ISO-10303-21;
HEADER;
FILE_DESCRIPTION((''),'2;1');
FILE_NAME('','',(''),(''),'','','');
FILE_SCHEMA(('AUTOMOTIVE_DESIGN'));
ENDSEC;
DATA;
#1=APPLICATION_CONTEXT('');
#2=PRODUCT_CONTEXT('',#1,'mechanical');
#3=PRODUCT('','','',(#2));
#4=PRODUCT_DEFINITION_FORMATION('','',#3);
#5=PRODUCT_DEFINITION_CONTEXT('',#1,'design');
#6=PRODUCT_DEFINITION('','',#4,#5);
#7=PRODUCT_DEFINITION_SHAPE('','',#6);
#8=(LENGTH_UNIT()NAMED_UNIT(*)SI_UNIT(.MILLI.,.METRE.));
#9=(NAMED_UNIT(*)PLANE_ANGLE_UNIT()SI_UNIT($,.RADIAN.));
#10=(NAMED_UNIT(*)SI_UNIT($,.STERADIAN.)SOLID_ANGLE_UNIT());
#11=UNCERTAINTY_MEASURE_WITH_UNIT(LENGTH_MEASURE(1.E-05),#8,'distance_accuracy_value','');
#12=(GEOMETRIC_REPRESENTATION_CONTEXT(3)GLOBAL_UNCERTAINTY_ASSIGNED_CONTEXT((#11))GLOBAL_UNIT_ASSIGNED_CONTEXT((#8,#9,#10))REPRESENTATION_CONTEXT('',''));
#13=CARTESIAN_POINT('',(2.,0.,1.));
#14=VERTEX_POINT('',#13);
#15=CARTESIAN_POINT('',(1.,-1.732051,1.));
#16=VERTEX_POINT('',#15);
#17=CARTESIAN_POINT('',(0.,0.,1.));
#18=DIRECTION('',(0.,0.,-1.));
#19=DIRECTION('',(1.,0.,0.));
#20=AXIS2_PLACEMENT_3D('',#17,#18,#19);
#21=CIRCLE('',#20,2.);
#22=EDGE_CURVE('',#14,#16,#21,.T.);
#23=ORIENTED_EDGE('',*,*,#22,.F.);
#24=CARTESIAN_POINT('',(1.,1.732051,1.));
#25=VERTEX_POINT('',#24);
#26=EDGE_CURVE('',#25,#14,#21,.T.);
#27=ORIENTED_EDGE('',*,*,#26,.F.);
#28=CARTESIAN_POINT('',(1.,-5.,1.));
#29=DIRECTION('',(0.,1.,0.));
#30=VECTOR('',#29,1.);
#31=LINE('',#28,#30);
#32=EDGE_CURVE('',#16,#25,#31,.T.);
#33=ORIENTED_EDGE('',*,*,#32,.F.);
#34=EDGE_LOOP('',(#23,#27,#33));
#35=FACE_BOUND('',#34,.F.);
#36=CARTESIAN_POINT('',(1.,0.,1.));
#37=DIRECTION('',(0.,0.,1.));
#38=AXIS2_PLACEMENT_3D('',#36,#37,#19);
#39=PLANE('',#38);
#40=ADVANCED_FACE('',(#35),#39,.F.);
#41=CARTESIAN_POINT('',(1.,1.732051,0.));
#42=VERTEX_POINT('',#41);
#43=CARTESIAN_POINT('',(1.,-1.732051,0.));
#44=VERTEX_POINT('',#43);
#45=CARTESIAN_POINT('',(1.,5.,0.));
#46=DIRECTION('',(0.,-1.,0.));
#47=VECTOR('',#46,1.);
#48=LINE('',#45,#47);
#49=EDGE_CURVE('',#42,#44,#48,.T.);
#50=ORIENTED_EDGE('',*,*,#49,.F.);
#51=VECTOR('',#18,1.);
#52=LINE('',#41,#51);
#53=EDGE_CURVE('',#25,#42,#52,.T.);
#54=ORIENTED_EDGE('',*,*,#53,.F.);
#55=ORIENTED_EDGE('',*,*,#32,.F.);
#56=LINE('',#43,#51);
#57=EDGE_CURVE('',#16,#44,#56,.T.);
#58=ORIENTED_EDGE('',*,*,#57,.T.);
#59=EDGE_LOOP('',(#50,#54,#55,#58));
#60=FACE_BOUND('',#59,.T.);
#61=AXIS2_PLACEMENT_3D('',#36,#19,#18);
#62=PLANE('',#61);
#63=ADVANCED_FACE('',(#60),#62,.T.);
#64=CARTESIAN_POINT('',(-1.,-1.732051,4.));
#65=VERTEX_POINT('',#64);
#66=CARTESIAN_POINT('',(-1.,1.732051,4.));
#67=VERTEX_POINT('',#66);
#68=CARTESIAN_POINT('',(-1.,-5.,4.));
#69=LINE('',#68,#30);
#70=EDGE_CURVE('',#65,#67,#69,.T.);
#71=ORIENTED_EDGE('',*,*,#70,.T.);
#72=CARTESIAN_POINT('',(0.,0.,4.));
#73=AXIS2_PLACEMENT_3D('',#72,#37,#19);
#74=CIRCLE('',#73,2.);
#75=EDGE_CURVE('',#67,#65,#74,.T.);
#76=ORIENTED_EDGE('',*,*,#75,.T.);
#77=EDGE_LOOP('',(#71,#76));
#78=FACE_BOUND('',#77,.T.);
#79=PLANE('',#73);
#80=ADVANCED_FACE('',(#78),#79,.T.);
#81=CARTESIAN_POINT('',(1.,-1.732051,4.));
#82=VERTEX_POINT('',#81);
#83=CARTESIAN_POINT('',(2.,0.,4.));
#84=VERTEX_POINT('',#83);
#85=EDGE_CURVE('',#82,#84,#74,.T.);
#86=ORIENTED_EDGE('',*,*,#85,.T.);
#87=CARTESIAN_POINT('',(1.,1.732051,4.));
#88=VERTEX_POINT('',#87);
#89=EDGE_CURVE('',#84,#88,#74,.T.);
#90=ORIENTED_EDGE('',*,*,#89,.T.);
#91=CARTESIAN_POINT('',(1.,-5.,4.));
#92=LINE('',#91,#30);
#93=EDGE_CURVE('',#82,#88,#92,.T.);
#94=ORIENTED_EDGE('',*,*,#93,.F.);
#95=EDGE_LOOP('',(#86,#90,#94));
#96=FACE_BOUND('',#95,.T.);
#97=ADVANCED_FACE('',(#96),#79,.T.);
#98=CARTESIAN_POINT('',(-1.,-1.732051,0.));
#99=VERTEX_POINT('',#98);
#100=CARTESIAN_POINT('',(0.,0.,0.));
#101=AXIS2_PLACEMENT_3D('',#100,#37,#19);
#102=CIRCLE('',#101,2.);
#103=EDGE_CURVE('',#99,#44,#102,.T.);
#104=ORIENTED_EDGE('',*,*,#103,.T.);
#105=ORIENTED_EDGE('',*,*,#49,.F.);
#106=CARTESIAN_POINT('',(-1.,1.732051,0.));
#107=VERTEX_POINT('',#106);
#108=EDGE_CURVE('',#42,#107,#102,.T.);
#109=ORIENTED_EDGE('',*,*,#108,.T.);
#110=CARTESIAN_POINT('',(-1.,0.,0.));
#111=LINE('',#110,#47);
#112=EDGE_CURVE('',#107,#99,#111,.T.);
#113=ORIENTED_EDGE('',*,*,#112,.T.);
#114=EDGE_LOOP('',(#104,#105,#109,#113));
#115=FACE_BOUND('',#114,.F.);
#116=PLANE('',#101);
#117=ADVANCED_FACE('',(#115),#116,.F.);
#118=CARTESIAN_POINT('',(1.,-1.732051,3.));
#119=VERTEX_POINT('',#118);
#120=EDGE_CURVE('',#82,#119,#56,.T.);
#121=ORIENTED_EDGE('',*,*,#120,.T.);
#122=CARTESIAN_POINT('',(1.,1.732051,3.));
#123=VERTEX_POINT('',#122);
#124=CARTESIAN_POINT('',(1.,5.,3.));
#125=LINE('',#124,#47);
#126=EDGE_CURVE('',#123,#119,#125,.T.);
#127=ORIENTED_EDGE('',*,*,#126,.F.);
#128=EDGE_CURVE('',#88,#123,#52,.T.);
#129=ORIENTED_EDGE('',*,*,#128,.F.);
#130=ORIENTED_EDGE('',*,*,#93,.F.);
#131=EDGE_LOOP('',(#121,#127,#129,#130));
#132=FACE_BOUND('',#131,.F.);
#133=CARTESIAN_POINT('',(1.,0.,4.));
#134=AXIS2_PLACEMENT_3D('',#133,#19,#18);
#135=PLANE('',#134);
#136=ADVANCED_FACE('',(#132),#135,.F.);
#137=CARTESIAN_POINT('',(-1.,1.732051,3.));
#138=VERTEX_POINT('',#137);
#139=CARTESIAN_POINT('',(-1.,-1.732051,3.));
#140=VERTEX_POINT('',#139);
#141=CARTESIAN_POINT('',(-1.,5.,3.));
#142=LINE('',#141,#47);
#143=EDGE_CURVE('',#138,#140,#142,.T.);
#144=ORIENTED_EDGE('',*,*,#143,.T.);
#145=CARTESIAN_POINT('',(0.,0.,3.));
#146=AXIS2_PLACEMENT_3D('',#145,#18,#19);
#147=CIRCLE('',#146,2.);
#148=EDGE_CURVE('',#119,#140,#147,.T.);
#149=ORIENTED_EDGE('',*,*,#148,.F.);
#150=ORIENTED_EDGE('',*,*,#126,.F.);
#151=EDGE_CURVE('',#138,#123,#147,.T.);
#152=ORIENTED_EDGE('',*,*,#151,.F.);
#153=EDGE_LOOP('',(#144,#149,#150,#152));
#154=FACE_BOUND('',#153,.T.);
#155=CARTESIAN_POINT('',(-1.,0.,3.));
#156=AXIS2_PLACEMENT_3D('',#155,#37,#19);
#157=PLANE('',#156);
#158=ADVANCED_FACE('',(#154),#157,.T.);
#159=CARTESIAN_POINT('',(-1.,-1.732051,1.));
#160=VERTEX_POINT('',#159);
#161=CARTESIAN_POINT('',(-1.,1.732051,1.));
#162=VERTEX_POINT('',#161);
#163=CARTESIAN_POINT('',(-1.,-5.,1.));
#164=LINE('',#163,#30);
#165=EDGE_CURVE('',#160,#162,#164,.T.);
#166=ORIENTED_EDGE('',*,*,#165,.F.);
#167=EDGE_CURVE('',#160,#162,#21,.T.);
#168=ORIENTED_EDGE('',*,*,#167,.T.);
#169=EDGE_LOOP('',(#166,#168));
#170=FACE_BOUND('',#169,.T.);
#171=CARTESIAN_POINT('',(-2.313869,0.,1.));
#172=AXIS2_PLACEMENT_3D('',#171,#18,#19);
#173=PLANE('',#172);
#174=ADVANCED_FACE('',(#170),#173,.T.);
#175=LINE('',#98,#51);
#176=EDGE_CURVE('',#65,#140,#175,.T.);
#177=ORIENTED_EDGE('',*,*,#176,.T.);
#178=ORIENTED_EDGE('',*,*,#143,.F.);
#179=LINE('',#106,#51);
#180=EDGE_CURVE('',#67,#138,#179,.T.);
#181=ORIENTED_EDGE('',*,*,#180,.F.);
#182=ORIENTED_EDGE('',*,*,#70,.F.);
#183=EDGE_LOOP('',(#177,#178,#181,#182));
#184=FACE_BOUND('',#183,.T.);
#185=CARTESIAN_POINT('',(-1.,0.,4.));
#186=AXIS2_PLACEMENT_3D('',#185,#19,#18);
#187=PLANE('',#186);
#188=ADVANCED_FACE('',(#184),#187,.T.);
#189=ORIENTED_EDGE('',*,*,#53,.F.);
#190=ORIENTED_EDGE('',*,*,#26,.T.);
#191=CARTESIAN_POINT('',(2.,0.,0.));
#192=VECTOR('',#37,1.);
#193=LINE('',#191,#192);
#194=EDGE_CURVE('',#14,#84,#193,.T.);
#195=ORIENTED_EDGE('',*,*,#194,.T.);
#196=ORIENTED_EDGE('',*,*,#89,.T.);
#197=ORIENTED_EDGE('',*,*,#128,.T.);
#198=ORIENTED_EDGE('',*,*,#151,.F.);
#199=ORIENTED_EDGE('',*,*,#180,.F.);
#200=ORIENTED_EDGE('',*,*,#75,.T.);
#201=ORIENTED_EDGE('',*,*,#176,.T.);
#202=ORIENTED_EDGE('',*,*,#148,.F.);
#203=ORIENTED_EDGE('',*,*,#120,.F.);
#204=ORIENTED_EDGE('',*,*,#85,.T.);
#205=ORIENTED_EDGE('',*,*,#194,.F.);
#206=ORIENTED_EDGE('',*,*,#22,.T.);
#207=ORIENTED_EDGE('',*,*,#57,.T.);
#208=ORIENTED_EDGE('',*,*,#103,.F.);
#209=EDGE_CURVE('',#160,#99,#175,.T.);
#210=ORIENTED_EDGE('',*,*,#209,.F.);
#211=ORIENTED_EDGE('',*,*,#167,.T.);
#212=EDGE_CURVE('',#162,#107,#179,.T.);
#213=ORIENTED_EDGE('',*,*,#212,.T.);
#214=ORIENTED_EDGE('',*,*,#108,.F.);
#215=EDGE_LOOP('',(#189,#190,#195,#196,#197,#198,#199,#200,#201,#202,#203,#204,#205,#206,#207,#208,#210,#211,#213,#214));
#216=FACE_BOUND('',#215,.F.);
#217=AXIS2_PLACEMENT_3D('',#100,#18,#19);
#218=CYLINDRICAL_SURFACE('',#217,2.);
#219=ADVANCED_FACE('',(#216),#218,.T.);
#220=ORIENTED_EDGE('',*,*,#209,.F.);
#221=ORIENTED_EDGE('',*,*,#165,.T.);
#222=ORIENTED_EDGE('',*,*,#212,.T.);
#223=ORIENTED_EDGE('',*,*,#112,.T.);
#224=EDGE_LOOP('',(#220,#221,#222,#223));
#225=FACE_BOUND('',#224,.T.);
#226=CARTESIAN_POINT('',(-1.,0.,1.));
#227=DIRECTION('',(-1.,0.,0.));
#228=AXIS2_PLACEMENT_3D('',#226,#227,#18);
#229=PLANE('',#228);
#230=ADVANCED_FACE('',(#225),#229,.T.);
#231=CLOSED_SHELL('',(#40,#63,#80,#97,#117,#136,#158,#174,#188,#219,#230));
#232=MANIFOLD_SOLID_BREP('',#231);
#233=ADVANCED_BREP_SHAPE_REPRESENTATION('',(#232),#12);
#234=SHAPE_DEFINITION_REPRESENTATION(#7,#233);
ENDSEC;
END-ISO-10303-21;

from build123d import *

# Parameters (mm, degrees)
SKETCH1_R           = 2
BOSS_EXTRUDE1_DEPTH = 4
SKETCH2_W           = 2
SKETCH2_H           = 1
CUT_EXTRUDE1_DEPTH  = 5
SKETCH3_W           = 1
SKETCH3_H           = 1
CUT_EXTRUDE2_DEPTH  = 5


with BuildPart() as part:
    # Sketch1 → Boss-Extrude1 (new body)
    with BuildSketch(Plane.XY):
        Circle(SKETCH1_R)
    extrude(amount=BOSS_EXTRUDE1_DEPTH)

    # Sketch2 → Cut-Extrude1 (cut, symmetric)
    with BuildSketch(Plane(origin=(0, 0, 0), x_dir=(1, 0, 0), z_dir=(0, 1, 0))):
        Polygon((-2.31386892, -1), (-1, -1), (-1, 0.234035397), (-2.586760402, 0.199881392), align=None)
        with Locations((0, -3.5)):
            Rectangle(SKETCH2_W, SKETCH2_H)
    extrude(amount=CUT_EXTRUDE1_DEPTH, both=True, mode=Mode.SUBTRACT)

    # Sketch3 → Cut-Extrude2 (cut, symmetric)
    with BuildSketch(Plane(origin=(0, 0, 0), x_dir=(1, 0, 0), z_dir=(0, 1, 0))):
        with Locations((1.5, -0.5)):
            Rectangle(SKETCH3_W, SKETCH3_H)
    extrude(amount=CUT_EXTRUDE2_DEPTH, both=True, mode=Mode.SUBTRACT)


solid = part.part
